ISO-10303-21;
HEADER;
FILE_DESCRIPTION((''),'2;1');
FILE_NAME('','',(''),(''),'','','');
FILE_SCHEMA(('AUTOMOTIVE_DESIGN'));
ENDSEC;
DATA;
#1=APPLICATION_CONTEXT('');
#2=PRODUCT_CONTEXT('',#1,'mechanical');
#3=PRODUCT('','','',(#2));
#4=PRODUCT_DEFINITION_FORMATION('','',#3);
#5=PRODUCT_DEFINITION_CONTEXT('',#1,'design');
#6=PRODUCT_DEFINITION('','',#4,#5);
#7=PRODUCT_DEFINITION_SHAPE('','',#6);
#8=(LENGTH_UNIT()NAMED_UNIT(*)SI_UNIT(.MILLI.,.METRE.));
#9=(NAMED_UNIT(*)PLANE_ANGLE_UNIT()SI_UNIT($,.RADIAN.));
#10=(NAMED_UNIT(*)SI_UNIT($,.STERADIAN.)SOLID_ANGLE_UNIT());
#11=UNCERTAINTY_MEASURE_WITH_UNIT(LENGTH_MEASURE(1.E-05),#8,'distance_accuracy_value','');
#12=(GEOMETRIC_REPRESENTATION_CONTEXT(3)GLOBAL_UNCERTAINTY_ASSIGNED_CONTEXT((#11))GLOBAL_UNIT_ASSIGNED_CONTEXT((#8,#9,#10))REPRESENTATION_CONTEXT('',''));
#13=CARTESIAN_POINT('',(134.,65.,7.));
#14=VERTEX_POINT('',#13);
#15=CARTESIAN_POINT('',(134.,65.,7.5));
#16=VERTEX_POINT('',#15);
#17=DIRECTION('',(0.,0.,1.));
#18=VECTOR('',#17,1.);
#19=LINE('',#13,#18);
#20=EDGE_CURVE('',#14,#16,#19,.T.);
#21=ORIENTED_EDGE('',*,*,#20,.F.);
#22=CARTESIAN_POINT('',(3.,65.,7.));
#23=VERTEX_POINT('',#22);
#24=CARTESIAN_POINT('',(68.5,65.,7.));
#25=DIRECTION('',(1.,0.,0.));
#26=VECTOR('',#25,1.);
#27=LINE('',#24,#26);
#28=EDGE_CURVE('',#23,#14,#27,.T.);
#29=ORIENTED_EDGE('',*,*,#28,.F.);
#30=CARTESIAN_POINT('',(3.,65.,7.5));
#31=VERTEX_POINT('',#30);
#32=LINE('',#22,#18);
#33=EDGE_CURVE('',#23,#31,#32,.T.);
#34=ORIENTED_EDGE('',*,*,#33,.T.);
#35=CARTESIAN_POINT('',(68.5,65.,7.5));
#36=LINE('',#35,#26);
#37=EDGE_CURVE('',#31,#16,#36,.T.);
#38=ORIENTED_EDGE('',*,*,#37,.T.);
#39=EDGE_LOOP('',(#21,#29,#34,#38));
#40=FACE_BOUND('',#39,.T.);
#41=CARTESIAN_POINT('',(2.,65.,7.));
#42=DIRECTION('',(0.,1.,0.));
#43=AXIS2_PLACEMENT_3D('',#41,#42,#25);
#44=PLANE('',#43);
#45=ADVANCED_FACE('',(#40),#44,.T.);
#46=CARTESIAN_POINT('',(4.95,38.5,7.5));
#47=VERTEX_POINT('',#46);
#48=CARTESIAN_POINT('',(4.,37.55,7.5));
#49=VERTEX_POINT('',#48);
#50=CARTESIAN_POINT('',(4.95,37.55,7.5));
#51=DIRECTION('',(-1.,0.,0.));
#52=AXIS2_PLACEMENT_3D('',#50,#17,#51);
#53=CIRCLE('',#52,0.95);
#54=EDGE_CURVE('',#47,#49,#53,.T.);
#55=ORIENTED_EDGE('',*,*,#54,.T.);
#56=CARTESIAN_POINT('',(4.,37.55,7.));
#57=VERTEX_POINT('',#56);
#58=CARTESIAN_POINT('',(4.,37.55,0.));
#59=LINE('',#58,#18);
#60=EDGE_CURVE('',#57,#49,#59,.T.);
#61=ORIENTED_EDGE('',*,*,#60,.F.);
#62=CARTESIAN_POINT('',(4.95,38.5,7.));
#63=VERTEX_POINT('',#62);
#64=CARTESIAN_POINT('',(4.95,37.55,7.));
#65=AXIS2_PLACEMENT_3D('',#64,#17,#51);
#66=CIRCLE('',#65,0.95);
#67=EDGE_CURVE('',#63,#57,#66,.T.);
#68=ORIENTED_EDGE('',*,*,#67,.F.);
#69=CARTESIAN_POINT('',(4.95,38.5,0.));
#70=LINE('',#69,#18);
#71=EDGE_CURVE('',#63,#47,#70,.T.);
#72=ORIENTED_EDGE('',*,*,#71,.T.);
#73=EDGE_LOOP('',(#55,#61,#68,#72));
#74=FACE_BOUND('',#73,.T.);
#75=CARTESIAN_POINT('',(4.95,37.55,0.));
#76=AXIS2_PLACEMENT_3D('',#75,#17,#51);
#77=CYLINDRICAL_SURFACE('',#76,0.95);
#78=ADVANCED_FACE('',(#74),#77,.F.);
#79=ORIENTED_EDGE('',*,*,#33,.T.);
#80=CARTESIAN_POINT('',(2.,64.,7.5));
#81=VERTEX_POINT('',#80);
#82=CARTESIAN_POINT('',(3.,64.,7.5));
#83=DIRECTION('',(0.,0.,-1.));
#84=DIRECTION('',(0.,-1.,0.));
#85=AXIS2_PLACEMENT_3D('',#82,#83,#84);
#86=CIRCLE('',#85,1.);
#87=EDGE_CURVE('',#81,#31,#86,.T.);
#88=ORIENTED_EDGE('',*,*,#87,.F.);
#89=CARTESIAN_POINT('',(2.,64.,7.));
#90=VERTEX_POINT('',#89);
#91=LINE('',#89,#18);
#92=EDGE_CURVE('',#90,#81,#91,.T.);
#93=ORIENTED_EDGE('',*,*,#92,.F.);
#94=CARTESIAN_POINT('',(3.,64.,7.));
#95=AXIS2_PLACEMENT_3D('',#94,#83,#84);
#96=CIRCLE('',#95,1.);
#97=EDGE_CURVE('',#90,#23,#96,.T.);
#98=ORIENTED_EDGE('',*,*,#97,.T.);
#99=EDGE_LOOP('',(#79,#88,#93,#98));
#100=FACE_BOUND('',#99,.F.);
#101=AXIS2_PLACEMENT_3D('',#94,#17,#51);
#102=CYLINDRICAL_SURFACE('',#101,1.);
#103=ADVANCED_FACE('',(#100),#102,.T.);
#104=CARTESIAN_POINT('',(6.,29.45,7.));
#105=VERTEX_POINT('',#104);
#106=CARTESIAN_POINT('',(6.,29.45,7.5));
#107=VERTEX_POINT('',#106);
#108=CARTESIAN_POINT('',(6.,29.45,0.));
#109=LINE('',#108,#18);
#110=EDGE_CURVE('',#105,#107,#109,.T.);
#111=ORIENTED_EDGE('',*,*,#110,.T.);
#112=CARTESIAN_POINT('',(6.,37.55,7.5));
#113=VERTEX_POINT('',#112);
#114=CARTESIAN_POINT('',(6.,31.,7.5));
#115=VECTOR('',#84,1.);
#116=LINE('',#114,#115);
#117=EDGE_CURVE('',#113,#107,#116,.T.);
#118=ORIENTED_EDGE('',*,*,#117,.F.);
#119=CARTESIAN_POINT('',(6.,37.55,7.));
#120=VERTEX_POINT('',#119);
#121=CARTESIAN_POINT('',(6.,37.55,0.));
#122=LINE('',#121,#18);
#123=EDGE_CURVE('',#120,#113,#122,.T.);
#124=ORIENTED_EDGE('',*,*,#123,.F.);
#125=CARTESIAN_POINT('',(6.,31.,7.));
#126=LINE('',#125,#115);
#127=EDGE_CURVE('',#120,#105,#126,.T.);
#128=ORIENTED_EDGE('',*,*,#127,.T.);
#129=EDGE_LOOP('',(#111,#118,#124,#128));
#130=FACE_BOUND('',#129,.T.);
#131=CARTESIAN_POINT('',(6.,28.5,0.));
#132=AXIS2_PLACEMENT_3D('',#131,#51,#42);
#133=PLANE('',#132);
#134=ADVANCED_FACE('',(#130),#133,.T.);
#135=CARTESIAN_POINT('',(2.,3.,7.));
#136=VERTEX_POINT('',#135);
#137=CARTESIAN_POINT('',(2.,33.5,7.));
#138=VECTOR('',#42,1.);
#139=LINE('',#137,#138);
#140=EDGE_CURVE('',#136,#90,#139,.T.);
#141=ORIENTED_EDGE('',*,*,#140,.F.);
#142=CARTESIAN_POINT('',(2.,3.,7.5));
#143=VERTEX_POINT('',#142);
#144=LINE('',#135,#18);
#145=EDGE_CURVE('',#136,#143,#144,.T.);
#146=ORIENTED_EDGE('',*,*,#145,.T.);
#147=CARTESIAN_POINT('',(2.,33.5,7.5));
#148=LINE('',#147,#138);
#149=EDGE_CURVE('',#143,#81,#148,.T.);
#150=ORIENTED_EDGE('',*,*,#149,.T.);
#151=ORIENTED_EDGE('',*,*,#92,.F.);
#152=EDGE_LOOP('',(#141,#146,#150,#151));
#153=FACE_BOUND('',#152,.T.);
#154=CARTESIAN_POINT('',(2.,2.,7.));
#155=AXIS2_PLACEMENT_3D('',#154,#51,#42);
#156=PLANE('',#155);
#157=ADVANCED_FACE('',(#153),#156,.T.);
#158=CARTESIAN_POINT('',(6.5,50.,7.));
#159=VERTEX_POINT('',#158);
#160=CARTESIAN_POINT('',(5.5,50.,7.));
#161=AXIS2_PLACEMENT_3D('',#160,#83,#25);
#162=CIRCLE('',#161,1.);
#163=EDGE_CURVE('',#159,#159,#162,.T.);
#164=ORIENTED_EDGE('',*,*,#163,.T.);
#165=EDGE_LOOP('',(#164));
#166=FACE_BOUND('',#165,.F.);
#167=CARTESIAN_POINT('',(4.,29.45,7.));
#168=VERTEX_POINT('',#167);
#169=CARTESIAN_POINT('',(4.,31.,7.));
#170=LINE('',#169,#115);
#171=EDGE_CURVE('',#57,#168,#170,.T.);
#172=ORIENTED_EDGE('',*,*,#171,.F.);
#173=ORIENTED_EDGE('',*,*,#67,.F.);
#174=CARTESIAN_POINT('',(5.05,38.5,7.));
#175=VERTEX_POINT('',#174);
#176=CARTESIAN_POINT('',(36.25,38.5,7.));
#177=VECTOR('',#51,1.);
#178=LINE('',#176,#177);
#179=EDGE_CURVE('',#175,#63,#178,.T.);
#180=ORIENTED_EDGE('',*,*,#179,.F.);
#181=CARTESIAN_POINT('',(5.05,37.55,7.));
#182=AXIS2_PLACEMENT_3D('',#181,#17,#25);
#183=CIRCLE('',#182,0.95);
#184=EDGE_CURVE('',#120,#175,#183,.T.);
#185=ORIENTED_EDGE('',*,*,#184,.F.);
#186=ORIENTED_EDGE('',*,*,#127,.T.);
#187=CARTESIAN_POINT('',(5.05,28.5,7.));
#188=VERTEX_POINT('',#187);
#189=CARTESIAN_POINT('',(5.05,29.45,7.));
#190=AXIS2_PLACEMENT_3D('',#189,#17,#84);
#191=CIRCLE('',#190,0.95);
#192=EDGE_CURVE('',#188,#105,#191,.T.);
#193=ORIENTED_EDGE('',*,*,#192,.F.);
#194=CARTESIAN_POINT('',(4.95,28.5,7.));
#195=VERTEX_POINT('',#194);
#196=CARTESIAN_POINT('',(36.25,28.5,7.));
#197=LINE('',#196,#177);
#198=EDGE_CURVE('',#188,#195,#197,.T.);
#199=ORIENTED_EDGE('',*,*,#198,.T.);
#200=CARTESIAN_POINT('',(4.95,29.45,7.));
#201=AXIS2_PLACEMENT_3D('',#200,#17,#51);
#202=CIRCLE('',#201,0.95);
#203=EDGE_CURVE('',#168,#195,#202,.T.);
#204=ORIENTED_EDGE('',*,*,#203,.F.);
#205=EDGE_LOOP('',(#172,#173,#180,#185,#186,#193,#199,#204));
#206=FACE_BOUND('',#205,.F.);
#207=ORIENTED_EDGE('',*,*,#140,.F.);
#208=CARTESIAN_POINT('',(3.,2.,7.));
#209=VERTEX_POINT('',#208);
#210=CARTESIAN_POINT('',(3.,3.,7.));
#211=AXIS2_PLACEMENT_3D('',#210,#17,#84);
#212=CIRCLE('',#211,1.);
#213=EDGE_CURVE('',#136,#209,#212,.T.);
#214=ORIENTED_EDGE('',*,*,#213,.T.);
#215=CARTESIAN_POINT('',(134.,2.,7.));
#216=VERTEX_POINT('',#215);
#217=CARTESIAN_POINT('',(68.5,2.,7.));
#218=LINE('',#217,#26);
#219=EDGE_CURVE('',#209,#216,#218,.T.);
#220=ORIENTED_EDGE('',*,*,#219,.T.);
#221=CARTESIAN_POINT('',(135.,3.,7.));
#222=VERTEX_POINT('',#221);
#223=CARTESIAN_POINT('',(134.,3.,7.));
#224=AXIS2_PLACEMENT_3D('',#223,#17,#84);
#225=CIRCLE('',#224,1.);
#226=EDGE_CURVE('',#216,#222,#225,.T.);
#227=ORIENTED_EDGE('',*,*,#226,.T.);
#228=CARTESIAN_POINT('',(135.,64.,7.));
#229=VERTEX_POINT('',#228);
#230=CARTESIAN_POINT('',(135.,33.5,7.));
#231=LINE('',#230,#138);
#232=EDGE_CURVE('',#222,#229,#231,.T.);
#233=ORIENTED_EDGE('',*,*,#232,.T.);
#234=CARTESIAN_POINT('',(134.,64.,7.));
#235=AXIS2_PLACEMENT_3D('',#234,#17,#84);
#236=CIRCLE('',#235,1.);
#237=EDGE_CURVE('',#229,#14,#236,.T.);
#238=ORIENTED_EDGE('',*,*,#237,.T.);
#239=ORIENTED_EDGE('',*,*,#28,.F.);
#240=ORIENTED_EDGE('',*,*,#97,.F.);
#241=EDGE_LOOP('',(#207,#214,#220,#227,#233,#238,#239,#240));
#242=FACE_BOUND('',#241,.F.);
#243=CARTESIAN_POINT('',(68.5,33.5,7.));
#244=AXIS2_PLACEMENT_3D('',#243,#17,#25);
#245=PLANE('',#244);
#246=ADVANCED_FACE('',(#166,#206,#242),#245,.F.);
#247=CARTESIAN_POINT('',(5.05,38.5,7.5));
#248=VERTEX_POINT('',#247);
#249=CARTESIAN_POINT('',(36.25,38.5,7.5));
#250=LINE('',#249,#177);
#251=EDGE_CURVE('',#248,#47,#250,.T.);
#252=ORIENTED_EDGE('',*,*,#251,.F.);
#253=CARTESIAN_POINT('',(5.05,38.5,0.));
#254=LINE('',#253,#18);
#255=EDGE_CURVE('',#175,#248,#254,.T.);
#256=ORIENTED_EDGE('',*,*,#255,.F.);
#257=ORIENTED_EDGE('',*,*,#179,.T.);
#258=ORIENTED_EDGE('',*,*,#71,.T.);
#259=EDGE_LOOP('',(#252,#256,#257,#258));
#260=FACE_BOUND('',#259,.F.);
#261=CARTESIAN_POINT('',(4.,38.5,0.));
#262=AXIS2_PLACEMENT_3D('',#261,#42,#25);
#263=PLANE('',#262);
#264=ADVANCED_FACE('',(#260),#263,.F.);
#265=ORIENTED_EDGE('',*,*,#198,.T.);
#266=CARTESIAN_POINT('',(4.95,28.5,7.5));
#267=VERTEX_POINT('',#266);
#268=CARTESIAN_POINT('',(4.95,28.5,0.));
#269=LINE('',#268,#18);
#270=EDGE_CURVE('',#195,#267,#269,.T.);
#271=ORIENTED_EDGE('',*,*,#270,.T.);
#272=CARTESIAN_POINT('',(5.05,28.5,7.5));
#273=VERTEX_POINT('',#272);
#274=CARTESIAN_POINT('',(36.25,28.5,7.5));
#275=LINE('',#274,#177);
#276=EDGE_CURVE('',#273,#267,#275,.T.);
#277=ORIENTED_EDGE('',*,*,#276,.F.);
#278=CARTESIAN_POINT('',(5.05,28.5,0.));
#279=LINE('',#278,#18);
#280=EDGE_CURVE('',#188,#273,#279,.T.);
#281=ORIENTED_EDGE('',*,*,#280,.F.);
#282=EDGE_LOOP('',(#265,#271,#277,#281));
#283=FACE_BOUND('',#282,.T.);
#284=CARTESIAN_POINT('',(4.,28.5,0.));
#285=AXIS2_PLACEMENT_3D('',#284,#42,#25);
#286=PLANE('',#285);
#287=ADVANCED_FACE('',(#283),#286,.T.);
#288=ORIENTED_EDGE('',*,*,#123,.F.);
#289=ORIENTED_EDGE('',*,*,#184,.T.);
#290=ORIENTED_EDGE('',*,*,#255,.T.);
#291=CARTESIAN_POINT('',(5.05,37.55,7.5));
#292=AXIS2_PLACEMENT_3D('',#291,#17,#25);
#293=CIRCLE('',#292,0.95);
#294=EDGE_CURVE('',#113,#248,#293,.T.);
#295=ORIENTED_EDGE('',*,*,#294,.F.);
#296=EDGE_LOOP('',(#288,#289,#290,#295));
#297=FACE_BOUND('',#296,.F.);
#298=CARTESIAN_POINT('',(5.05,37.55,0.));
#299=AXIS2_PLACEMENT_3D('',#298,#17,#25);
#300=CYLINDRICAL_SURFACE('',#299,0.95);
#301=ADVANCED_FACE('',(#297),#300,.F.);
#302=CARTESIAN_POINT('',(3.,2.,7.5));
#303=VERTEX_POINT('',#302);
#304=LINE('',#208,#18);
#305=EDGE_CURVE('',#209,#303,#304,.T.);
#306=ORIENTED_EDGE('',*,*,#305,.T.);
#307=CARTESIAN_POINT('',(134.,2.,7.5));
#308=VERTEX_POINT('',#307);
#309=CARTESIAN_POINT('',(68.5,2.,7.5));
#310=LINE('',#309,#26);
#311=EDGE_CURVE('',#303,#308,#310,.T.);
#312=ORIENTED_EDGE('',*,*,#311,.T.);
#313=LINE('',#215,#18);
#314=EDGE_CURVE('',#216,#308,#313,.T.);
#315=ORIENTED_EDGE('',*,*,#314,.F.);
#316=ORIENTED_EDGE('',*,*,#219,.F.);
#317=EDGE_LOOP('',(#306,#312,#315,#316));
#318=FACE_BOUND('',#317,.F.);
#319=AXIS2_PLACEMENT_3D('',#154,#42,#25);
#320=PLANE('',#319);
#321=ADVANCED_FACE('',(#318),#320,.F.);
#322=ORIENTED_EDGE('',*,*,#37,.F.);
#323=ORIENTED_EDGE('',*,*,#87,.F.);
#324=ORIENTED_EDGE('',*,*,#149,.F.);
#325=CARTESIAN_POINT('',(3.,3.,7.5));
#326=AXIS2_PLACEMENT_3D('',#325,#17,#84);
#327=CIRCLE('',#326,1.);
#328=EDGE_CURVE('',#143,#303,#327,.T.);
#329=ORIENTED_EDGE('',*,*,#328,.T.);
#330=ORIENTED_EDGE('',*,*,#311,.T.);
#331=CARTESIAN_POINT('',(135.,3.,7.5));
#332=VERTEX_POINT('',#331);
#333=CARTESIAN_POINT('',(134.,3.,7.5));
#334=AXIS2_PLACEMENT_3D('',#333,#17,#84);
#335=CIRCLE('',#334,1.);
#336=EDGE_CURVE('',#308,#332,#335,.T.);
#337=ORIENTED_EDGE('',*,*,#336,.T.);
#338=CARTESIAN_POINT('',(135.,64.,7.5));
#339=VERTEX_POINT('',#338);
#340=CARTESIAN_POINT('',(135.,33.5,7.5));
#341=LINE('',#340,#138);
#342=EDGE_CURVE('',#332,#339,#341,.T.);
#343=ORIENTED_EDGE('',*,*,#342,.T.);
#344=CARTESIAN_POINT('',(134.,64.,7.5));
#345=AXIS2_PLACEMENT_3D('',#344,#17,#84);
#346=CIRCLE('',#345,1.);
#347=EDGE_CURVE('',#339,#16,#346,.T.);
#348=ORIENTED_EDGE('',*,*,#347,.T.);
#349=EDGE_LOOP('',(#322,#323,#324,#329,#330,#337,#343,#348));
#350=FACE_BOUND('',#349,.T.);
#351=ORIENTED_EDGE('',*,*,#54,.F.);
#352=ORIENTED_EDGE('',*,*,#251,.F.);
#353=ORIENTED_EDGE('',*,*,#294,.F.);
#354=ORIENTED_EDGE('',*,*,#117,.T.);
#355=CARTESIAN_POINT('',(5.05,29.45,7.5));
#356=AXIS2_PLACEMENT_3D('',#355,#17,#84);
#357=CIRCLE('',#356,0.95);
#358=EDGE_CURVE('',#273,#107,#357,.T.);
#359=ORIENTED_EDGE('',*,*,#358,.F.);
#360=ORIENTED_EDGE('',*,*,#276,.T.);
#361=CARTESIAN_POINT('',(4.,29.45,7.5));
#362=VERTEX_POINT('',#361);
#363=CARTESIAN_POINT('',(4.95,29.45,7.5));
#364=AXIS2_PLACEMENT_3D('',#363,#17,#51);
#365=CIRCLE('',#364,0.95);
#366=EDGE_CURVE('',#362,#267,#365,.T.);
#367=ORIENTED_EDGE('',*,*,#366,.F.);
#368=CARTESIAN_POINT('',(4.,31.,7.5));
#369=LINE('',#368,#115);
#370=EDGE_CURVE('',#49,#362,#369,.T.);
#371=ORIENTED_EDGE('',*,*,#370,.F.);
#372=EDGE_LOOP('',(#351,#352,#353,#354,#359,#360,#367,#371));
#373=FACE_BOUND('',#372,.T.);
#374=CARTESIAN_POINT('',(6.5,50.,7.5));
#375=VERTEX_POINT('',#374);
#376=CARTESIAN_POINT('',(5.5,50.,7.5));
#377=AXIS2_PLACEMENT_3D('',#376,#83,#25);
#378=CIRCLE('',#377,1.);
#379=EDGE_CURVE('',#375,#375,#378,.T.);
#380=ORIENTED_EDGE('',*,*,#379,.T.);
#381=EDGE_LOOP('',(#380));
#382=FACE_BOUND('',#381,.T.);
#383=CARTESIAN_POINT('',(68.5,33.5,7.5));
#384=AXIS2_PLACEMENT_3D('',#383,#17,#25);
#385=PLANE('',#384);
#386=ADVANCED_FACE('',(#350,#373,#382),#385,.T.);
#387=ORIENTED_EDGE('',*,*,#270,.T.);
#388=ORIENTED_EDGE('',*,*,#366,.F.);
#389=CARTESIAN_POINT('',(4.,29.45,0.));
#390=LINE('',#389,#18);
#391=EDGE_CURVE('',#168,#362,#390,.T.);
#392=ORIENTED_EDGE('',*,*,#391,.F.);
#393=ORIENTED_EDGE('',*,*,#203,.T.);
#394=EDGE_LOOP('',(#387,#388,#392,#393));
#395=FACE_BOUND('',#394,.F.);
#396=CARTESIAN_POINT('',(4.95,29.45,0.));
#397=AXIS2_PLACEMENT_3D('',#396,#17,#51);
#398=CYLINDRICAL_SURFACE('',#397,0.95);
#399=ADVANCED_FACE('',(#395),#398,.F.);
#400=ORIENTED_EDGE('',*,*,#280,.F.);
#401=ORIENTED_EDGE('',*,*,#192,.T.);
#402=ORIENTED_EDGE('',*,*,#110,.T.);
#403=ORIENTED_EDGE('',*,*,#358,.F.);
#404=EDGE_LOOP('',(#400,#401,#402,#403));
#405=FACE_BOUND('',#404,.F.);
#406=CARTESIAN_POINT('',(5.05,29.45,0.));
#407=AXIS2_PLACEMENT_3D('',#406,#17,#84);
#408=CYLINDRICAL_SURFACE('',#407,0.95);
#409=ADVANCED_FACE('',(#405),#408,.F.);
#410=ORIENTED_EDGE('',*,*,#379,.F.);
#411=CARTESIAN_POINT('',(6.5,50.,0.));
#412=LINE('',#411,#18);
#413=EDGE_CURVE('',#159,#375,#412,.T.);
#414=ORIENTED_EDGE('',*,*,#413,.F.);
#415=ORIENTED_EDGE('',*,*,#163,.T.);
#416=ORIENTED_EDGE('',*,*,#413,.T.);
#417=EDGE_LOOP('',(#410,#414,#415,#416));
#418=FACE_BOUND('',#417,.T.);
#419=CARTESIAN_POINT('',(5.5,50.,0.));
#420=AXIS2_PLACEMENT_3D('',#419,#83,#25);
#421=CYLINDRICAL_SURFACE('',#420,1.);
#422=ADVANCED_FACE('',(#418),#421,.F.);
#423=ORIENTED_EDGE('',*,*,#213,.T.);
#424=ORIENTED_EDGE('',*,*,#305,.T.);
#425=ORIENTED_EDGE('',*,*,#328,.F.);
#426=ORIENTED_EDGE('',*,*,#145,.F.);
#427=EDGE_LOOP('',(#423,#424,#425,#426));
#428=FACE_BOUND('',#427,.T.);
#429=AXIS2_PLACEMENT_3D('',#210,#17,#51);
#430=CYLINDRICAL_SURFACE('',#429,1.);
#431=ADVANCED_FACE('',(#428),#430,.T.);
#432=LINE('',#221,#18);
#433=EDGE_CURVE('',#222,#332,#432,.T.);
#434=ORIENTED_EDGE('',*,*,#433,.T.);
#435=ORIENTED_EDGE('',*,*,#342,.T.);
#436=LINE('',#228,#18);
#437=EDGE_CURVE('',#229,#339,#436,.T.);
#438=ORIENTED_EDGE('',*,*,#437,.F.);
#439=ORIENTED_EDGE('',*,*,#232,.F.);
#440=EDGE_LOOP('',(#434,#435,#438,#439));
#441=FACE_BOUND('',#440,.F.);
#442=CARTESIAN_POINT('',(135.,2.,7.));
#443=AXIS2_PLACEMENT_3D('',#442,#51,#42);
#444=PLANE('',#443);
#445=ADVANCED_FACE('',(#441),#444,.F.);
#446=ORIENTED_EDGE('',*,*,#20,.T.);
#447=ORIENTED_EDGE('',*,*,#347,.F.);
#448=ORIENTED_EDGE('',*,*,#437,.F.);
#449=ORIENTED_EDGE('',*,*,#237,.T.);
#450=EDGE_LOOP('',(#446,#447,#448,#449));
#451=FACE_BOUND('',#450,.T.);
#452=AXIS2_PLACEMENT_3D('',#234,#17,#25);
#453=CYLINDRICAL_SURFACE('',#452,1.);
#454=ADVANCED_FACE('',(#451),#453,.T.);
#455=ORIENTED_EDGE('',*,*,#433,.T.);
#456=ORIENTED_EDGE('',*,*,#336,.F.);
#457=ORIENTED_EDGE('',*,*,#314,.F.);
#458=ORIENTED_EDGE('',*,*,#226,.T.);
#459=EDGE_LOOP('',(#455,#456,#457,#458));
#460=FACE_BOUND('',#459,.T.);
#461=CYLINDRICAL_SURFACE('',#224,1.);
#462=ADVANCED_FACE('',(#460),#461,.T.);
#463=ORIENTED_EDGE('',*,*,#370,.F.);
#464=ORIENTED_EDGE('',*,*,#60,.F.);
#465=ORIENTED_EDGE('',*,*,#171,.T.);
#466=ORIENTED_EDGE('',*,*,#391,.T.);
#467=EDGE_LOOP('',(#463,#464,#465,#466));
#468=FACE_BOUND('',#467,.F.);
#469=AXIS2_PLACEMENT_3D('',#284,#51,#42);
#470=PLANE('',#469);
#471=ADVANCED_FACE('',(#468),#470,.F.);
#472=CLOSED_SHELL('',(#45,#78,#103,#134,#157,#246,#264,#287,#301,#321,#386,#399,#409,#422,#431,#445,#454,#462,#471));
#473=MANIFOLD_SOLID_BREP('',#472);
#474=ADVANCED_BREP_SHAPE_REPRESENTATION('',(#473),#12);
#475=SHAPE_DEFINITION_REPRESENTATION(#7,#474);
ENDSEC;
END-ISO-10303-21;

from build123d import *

# Parameters (mm, degrees)
CYLINDER010_R     = 1
CYLINDER010_DEPTH = 10
BOX016_W          = 2
BOX016_H          = 10
BOX016_DEPTH      = 10
FILLET008_R       = 0.95
BOX004_W          = 133
BOX004_H          = 63
BOX004_DEPTH      = 0.5
FILLET005_R       = 1


with BuildPart() as cilindro010:
    # Cylinder010 → Cylinder010 (new body)
    with BuildSketch(Plane(origin=(5.5, 50, 0), x_dir=(1, 0, 0), z_dir=(0, 0, 1))):
        Circle(CYLINDER010_R)
    extrude(amount=CYLINDER010_DEPTH)


with BuildPart() as fillet008:
    # Box016 → Box016 (new body)
    with BuildSketch(Plane(origin=(4, 28.5, 0), x_dir=(1, 0, 0), z_dir=(0, 0, 1))):
        with Locations((1, 5)):
            Rectangle(BOX016_W, BOX016_H)
    extrude(amount=BOX016_DEPTH)

    # Fillet008
    fillet008_edges = [fillet008.edges().sort_by_distance(p)[0] for p in [
        (4, 28.5, 5),
        (4, 38.5, 5),
        (6, 28.5, 5),
        (6, 38.5, 5),
    ]]
    fillet(fillet008_edges, radius=FILLET008_R)


with BuildPart() as cut016:
    # Box004 → Box004 (new body)
    with BuildSketch(Plane(origin=(2, 2, 5.5), x_dir=(1, 0, 0), z_dir=(0, 0, 1))):
        with Locations((66.5, 31.5)):
            Rectangle(BOX004_W, BOX004_H)
    extrude(amount=BOX004_DEPTH)

    # Fillet005
    fillet005_edges = [cut016.edges().sort_by_distance(p)[0] for p in [
        (2, 2, 5.75),
        (2, 65, 5.75),
        (135, 2, 5.75),
        (135, 65, 5.75),
    ]]
    fillet(fillet005_edges, radius=FILLET005_R)


with BuildPart() as cut016_1:
    # Fillet005 placement: moved
    add(cut016.part.moved(Location((0, 0, 1.5))))

    # Cut014: cut Fillet008
    add(fillet008.part, mode=Mode.SUBTRACT)

    # Cut016: cut Cilindro010
    add(cilindro010.part, mode=Mode.SUBTRACT)


solid = cut016_1.part
